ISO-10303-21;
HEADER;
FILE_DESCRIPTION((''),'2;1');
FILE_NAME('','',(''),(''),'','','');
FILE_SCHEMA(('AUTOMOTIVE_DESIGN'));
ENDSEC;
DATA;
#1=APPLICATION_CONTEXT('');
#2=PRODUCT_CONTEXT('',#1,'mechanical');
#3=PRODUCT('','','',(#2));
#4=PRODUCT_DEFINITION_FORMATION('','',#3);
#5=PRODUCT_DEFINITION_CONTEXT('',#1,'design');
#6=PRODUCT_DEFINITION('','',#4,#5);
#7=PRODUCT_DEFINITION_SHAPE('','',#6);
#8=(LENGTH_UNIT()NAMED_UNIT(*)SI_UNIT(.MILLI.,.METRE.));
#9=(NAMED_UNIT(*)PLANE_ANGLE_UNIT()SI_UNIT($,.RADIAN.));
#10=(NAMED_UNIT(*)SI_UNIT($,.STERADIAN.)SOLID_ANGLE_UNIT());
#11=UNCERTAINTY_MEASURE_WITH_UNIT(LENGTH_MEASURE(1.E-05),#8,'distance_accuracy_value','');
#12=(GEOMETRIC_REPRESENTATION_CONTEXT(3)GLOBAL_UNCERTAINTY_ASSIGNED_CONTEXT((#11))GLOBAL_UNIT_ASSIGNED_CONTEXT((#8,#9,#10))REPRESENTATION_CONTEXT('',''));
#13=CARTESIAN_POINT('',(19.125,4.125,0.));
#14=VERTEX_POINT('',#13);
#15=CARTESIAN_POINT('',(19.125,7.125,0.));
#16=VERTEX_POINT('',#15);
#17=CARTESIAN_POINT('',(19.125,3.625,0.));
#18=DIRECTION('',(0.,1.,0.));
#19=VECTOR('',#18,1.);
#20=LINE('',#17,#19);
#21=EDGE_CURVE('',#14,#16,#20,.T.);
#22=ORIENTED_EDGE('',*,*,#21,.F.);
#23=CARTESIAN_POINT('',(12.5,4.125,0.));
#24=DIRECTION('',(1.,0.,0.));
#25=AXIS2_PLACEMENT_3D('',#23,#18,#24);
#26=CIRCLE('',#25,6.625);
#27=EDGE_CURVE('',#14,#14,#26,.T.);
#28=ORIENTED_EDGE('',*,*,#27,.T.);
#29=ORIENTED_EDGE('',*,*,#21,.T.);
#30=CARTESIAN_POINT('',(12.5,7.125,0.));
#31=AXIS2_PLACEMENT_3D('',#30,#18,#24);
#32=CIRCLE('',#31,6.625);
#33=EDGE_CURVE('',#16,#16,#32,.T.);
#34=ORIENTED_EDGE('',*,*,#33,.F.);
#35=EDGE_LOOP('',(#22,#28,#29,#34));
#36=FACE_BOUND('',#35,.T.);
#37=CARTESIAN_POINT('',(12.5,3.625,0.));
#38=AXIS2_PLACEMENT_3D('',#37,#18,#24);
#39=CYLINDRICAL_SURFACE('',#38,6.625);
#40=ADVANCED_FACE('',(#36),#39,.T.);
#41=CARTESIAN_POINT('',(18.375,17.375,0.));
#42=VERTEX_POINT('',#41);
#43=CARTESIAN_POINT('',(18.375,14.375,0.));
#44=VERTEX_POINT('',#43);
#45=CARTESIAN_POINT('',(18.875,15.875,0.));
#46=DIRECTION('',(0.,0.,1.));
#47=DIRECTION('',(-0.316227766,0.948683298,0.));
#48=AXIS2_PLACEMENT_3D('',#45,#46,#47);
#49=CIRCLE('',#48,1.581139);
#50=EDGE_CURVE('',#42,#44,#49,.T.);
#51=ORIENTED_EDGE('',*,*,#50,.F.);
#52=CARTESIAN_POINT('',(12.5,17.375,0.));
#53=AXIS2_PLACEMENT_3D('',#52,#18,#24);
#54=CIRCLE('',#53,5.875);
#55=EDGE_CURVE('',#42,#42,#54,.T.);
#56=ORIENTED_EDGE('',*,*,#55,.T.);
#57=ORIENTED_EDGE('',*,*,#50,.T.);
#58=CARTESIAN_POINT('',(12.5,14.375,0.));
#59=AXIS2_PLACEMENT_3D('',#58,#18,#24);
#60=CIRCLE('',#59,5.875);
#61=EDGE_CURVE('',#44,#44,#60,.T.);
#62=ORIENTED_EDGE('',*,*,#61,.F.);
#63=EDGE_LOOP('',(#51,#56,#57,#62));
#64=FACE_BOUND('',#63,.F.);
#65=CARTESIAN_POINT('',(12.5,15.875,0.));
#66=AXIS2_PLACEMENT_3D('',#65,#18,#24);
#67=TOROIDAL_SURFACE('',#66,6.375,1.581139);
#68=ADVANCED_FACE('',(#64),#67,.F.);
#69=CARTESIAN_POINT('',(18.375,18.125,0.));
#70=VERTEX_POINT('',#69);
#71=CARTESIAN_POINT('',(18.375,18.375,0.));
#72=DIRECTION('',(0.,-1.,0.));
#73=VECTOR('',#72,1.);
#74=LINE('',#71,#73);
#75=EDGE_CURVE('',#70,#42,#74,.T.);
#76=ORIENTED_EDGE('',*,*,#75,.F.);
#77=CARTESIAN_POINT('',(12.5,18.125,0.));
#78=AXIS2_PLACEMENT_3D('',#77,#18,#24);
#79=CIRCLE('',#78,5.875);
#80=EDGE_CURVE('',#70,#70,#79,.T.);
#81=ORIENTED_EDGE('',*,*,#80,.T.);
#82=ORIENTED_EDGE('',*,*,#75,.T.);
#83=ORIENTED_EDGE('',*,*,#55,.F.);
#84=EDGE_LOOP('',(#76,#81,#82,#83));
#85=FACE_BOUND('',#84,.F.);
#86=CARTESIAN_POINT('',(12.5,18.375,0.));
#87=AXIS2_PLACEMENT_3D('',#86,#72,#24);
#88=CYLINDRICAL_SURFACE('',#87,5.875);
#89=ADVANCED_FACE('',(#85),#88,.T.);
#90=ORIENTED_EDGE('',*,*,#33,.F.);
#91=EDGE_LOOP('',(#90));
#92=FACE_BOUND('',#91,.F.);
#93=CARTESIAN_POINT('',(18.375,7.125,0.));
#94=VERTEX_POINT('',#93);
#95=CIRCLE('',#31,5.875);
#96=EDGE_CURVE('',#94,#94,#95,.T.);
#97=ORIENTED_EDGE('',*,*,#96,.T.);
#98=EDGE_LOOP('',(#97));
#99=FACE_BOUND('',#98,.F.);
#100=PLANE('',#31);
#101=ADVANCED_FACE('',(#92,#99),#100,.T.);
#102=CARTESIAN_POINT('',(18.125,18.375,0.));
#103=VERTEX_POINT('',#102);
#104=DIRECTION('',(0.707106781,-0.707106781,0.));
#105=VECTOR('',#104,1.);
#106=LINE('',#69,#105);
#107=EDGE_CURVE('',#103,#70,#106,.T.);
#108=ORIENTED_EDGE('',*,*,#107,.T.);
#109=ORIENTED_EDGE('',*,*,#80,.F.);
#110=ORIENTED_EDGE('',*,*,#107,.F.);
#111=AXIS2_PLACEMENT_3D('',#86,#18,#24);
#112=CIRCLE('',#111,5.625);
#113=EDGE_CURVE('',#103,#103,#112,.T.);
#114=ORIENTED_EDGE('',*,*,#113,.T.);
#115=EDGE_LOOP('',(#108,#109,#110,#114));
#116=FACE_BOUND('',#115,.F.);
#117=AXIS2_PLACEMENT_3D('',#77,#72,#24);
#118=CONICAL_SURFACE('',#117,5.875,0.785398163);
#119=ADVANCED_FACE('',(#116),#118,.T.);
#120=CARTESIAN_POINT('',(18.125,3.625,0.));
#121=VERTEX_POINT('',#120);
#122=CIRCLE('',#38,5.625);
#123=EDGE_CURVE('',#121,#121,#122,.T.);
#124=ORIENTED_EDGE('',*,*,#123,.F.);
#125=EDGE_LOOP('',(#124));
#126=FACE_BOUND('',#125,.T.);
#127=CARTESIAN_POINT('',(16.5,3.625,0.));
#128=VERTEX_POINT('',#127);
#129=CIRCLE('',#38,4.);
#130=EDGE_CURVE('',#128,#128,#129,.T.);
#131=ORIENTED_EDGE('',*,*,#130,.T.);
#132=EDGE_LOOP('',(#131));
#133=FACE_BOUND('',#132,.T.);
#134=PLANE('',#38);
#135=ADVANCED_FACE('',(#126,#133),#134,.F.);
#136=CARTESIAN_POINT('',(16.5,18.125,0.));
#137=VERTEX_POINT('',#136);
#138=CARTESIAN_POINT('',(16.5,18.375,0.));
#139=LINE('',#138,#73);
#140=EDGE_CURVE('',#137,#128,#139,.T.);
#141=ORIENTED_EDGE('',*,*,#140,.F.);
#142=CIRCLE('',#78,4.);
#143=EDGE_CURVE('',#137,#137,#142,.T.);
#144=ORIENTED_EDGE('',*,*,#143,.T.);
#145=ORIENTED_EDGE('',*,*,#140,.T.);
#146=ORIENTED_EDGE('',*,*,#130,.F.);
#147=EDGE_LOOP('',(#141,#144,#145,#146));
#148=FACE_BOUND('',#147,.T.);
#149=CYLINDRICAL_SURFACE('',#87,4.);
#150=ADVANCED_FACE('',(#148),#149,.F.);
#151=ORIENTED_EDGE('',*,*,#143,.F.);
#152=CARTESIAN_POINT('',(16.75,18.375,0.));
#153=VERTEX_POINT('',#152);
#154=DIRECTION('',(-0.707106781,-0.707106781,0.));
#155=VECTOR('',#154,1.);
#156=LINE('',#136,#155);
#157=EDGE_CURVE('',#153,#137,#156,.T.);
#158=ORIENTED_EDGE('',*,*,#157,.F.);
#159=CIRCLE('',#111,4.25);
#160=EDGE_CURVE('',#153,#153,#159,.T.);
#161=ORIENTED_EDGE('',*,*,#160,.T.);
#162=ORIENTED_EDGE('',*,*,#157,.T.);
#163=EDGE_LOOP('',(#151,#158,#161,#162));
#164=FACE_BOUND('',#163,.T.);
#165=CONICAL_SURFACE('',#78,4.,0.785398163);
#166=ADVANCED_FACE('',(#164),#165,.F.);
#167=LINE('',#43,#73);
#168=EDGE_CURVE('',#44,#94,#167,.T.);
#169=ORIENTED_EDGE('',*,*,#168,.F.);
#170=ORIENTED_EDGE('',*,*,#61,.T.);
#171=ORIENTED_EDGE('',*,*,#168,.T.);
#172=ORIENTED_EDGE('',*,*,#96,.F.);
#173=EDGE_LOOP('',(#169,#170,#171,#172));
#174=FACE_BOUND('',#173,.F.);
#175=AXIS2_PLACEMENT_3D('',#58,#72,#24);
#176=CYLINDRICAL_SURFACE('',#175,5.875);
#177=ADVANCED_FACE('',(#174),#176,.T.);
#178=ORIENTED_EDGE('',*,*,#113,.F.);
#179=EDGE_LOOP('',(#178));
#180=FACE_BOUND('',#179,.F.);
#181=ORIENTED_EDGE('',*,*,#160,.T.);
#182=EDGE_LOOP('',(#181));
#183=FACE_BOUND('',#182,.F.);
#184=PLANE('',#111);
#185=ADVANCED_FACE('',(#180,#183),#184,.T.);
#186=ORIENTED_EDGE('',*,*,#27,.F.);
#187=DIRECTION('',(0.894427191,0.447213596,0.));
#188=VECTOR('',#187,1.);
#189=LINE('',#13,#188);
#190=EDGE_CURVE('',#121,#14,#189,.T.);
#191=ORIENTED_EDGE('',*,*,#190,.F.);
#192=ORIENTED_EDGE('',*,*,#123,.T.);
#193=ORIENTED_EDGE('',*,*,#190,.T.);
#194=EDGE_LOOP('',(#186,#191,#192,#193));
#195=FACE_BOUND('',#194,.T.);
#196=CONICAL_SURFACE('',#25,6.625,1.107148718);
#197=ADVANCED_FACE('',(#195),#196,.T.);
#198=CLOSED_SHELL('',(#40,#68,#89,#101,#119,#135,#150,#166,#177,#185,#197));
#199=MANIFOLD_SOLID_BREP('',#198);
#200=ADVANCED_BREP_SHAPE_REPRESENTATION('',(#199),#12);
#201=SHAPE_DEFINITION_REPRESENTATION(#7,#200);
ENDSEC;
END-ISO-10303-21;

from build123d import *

# Parameters (mm, degrees)
CHAMFER003_SIZE  = 0.25
CHAMFER004_SIZE2 = 0.5
CHAMFER004_SIZE  = 1


with BuildPart() as part:
    # Sketch007 → Revolution (revolve)
    with BuildSketch(Plane.XY):
        with BuildLine():
            Line((4, 18.375), (5.875, 18.375))
            Line((5.875, 18.375), (5.875, 17.375))
            ThreePointArc((5.875, 17.375), (4.7938611699, 15.875), (5.875, 14.375))
            Line((5.875, 14.375), (5.875, 7.125))
            Line((5.875, 7.125), (6.625, 7.125))
            Line((6.625, 3.625), (6.625, 7.125))
            Line((4, 3.625), (6.625, 3.625))
            Line((4, 18.375), (4, 3.625))
        make_face()
    revolve(axis=Axis((0, 0, 0), (0, 1, 0)))

    # Chamfer003
    chamfer003_edges = [part.edges().sort_by_distance(p)[0] for p in [
        (-4, 18.375, 0),
        (-5.875, 18.375, 0),
    ]]
    chamfer(chamfer003_edges, length=CHAMFER003_SIZE)

    # Chamfer004
    chamfer004_edges = [part.edges().sort_by_distance(p)[0] for p in [
        (-6.625, 3.625, 0),
    ]]
    chamfer004_side = part.faces().sort_by_distance((-4.187383, 3.625, 0))[0]
    chamfer(chamfer004_edges, length=CHAMFER004_SIZE, length2=CHAMFER004_SIZE2, reference=chamfer004_side)


with BuildPart() as part_1:
    # Body006 placement: moved
    add(part.part.moved(Location((12.5, 0, 0))))


solid = part_1.part
